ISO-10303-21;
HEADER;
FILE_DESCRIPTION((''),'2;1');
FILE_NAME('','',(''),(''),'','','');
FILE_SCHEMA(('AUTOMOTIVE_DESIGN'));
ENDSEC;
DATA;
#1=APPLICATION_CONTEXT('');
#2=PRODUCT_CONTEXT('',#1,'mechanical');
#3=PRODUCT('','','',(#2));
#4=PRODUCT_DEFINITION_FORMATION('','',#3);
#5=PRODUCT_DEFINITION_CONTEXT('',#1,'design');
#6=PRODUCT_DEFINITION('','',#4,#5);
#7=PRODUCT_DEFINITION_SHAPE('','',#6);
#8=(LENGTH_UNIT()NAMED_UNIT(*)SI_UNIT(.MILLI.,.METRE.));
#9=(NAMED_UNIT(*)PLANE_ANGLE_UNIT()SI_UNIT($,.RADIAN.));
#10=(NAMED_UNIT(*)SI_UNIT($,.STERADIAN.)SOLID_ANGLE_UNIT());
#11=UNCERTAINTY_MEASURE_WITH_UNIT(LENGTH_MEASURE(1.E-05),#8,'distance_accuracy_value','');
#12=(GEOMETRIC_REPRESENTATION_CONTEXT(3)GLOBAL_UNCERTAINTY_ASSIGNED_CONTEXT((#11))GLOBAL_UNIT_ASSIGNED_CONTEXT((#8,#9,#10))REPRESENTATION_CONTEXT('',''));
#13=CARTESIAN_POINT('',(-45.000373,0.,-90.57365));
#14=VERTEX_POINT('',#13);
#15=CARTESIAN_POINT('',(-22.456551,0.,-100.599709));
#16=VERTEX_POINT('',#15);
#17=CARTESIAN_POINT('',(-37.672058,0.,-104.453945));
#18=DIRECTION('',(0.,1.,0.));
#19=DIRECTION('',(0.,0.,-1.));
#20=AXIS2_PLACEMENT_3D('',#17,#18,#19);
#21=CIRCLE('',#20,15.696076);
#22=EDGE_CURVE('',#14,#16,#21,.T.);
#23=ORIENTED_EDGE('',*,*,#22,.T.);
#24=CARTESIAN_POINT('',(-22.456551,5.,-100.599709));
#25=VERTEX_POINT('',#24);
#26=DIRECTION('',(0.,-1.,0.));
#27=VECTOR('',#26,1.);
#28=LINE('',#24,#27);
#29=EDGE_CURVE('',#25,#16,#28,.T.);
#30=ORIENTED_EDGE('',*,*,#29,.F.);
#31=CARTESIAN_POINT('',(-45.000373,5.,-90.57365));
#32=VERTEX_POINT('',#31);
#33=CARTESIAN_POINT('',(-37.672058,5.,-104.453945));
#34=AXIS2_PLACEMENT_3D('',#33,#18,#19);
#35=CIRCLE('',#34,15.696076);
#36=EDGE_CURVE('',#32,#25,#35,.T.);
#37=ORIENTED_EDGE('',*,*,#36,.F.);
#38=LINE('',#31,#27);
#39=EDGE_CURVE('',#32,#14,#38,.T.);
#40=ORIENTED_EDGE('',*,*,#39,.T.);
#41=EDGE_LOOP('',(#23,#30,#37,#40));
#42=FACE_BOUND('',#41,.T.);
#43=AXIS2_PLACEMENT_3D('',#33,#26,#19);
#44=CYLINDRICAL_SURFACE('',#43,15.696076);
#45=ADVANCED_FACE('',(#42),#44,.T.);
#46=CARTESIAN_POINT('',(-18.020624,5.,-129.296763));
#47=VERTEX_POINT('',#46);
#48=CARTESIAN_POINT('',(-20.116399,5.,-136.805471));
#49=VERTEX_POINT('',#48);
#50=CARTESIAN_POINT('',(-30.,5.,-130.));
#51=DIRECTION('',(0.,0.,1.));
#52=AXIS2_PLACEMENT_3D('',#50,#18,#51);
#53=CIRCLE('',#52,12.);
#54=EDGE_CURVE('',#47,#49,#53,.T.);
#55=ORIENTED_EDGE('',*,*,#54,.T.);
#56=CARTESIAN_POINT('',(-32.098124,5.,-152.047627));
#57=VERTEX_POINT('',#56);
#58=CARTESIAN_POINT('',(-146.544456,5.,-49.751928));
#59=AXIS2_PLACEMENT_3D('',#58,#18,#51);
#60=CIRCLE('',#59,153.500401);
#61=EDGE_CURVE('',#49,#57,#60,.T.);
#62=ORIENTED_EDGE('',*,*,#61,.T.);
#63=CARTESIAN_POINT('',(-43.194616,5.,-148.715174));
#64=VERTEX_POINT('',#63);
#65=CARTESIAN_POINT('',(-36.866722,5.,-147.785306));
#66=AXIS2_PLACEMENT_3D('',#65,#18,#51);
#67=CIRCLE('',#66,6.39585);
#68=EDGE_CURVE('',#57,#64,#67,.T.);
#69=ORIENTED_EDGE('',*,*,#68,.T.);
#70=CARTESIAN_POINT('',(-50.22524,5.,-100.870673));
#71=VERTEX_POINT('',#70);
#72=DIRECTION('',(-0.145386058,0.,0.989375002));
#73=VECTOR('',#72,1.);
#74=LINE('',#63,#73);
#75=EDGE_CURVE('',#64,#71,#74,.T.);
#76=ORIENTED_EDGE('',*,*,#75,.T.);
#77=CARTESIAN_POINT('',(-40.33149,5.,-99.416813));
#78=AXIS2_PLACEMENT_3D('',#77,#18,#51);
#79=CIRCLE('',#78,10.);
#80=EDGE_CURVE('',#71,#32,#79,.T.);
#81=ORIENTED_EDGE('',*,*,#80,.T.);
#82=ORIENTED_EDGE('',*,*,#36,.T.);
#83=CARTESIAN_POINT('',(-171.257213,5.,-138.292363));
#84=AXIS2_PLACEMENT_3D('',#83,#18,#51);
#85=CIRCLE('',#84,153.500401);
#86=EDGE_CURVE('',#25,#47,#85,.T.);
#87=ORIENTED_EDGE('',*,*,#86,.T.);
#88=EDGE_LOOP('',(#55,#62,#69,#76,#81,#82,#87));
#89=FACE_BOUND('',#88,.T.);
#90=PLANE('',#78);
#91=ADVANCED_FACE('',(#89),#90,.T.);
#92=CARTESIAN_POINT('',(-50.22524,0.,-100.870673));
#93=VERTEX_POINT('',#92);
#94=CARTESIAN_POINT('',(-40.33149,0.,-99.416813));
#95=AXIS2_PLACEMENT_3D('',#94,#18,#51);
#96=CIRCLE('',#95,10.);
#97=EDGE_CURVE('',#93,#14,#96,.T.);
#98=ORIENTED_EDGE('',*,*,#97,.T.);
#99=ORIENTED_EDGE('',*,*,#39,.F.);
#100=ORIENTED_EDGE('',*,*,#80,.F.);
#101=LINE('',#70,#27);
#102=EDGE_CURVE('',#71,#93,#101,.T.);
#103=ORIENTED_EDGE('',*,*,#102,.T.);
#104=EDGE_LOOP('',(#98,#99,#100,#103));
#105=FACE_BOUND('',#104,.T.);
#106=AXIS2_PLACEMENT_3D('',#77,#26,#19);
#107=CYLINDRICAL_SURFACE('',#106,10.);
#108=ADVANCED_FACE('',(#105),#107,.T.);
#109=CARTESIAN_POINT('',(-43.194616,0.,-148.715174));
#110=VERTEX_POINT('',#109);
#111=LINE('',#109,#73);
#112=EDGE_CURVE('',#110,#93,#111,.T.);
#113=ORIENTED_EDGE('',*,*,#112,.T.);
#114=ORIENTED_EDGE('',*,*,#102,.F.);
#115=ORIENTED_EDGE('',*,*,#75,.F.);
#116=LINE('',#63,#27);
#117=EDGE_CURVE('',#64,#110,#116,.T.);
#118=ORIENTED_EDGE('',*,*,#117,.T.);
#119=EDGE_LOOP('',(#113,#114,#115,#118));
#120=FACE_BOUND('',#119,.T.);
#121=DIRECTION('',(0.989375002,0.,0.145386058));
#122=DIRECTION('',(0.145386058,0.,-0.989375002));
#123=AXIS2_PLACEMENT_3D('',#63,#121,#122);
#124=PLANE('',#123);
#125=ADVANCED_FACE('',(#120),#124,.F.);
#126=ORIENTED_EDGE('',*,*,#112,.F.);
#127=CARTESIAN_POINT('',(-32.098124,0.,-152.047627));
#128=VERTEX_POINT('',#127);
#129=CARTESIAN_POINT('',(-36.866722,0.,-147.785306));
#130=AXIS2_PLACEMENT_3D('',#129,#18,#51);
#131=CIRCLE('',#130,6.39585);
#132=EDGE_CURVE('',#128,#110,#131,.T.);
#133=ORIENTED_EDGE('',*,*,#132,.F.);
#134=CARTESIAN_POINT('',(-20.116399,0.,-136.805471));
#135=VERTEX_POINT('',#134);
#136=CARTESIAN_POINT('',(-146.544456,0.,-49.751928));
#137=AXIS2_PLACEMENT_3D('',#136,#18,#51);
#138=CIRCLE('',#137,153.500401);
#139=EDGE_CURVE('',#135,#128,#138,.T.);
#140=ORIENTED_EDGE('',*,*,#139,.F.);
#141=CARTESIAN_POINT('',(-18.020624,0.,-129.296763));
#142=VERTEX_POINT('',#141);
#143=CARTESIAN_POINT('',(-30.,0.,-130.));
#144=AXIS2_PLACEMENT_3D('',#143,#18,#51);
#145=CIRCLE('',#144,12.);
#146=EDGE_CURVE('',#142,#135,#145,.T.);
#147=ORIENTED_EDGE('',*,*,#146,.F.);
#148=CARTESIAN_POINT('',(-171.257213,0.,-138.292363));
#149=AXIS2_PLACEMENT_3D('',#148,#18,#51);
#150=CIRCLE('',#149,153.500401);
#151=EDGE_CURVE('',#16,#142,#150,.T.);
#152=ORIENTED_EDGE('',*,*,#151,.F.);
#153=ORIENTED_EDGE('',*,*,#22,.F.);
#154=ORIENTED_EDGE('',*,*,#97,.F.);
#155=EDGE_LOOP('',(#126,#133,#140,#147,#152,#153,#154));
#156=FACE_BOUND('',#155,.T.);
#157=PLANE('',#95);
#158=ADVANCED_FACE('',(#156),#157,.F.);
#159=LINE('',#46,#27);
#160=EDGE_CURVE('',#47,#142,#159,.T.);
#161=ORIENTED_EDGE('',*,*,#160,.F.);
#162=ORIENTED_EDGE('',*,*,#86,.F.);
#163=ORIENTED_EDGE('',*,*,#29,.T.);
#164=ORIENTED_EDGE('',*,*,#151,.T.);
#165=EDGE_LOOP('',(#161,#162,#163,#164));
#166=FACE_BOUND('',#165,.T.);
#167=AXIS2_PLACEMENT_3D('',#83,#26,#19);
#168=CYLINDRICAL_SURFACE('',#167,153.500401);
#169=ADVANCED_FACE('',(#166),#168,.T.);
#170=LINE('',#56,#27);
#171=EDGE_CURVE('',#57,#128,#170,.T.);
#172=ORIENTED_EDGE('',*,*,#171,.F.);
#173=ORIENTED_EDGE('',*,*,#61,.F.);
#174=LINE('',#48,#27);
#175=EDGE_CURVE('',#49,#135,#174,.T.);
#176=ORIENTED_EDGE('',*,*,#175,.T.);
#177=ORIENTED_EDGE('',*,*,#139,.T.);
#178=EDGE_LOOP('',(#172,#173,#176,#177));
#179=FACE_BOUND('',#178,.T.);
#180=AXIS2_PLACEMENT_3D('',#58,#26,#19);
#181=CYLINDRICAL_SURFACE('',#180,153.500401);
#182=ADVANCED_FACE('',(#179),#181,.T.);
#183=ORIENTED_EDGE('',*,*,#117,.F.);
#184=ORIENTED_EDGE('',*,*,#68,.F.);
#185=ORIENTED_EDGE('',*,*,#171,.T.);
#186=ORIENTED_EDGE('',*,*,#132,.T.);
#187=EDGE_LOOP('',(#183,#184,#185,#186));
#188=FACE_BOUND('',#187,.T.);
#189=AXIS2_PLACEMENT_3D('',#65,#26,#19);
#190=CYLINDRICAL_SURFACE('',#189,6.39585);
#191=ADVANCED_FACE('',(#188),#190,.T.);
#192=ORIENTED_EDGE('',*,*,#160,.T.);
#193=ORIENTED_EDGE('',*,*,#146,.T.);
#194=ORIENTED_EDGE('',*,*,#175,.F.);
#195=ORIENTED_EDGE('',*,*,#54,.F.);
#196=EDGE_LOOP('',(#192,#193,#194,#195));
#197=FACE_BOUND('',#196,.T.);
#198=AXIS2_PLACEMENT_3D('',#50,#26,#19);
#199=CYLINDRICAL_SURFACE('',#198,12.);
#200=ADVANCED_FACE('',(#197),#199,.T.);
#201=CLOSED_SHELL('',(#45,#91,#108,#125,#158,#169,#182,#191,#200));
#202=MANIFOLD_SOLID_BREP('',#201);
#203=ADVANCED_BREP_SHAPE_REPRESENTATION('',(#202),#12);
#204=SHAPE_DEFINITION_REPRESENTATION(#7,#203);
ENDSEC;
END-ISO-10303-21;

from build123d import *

# Parameters (mm, degrees)
BOSS_EXTRUDE2_DEPTH = 5


with BuildPart() as part:
    # Sketch1 → Boss-Extrude2 (new body)
    with BuildSketch(Plane(origin=(0, 0, 0), x_dir=(1, 0, 0), z_dir=(0, 1, 0))):
        with BuildLine():
            Line((-43.194615771, 148.715173848), (-50.225239518, 100.870673101))
            ThreePointArc((-50.225239518, 100.870673101), (-49.249154262, 94.891853376), (-45.000372743, 90.573649661))
            ThreePointArc((-45.000372743, 90.573649661), (-31.29378116, 90.112244527), (-22.456551163, 100.599709115))
            ThreePointArc((-22.456551163, 100.599709115), (-19.558480324, 114.843106453), (-18.020623668, 129.29676271))
            ThreePointArc((-18.020623668, 129.29676271), (-18.441772746, 133.226047543), (-20.116399197, 136.805470974))
            ThreePointArc((-20.116399197, 136.805470974), (-25.866377757, 144.615905974), (-32.098124488, 152.047627243))
            ThreePointArc((-32.098124488, 152.047627243), (-38.706331156, 153.910886754), (-43.194615771, 148.715173848))
        make_face()
    extrude(amount=BOSS_EXTRUDE2_DEPTH)


solid = part.part
